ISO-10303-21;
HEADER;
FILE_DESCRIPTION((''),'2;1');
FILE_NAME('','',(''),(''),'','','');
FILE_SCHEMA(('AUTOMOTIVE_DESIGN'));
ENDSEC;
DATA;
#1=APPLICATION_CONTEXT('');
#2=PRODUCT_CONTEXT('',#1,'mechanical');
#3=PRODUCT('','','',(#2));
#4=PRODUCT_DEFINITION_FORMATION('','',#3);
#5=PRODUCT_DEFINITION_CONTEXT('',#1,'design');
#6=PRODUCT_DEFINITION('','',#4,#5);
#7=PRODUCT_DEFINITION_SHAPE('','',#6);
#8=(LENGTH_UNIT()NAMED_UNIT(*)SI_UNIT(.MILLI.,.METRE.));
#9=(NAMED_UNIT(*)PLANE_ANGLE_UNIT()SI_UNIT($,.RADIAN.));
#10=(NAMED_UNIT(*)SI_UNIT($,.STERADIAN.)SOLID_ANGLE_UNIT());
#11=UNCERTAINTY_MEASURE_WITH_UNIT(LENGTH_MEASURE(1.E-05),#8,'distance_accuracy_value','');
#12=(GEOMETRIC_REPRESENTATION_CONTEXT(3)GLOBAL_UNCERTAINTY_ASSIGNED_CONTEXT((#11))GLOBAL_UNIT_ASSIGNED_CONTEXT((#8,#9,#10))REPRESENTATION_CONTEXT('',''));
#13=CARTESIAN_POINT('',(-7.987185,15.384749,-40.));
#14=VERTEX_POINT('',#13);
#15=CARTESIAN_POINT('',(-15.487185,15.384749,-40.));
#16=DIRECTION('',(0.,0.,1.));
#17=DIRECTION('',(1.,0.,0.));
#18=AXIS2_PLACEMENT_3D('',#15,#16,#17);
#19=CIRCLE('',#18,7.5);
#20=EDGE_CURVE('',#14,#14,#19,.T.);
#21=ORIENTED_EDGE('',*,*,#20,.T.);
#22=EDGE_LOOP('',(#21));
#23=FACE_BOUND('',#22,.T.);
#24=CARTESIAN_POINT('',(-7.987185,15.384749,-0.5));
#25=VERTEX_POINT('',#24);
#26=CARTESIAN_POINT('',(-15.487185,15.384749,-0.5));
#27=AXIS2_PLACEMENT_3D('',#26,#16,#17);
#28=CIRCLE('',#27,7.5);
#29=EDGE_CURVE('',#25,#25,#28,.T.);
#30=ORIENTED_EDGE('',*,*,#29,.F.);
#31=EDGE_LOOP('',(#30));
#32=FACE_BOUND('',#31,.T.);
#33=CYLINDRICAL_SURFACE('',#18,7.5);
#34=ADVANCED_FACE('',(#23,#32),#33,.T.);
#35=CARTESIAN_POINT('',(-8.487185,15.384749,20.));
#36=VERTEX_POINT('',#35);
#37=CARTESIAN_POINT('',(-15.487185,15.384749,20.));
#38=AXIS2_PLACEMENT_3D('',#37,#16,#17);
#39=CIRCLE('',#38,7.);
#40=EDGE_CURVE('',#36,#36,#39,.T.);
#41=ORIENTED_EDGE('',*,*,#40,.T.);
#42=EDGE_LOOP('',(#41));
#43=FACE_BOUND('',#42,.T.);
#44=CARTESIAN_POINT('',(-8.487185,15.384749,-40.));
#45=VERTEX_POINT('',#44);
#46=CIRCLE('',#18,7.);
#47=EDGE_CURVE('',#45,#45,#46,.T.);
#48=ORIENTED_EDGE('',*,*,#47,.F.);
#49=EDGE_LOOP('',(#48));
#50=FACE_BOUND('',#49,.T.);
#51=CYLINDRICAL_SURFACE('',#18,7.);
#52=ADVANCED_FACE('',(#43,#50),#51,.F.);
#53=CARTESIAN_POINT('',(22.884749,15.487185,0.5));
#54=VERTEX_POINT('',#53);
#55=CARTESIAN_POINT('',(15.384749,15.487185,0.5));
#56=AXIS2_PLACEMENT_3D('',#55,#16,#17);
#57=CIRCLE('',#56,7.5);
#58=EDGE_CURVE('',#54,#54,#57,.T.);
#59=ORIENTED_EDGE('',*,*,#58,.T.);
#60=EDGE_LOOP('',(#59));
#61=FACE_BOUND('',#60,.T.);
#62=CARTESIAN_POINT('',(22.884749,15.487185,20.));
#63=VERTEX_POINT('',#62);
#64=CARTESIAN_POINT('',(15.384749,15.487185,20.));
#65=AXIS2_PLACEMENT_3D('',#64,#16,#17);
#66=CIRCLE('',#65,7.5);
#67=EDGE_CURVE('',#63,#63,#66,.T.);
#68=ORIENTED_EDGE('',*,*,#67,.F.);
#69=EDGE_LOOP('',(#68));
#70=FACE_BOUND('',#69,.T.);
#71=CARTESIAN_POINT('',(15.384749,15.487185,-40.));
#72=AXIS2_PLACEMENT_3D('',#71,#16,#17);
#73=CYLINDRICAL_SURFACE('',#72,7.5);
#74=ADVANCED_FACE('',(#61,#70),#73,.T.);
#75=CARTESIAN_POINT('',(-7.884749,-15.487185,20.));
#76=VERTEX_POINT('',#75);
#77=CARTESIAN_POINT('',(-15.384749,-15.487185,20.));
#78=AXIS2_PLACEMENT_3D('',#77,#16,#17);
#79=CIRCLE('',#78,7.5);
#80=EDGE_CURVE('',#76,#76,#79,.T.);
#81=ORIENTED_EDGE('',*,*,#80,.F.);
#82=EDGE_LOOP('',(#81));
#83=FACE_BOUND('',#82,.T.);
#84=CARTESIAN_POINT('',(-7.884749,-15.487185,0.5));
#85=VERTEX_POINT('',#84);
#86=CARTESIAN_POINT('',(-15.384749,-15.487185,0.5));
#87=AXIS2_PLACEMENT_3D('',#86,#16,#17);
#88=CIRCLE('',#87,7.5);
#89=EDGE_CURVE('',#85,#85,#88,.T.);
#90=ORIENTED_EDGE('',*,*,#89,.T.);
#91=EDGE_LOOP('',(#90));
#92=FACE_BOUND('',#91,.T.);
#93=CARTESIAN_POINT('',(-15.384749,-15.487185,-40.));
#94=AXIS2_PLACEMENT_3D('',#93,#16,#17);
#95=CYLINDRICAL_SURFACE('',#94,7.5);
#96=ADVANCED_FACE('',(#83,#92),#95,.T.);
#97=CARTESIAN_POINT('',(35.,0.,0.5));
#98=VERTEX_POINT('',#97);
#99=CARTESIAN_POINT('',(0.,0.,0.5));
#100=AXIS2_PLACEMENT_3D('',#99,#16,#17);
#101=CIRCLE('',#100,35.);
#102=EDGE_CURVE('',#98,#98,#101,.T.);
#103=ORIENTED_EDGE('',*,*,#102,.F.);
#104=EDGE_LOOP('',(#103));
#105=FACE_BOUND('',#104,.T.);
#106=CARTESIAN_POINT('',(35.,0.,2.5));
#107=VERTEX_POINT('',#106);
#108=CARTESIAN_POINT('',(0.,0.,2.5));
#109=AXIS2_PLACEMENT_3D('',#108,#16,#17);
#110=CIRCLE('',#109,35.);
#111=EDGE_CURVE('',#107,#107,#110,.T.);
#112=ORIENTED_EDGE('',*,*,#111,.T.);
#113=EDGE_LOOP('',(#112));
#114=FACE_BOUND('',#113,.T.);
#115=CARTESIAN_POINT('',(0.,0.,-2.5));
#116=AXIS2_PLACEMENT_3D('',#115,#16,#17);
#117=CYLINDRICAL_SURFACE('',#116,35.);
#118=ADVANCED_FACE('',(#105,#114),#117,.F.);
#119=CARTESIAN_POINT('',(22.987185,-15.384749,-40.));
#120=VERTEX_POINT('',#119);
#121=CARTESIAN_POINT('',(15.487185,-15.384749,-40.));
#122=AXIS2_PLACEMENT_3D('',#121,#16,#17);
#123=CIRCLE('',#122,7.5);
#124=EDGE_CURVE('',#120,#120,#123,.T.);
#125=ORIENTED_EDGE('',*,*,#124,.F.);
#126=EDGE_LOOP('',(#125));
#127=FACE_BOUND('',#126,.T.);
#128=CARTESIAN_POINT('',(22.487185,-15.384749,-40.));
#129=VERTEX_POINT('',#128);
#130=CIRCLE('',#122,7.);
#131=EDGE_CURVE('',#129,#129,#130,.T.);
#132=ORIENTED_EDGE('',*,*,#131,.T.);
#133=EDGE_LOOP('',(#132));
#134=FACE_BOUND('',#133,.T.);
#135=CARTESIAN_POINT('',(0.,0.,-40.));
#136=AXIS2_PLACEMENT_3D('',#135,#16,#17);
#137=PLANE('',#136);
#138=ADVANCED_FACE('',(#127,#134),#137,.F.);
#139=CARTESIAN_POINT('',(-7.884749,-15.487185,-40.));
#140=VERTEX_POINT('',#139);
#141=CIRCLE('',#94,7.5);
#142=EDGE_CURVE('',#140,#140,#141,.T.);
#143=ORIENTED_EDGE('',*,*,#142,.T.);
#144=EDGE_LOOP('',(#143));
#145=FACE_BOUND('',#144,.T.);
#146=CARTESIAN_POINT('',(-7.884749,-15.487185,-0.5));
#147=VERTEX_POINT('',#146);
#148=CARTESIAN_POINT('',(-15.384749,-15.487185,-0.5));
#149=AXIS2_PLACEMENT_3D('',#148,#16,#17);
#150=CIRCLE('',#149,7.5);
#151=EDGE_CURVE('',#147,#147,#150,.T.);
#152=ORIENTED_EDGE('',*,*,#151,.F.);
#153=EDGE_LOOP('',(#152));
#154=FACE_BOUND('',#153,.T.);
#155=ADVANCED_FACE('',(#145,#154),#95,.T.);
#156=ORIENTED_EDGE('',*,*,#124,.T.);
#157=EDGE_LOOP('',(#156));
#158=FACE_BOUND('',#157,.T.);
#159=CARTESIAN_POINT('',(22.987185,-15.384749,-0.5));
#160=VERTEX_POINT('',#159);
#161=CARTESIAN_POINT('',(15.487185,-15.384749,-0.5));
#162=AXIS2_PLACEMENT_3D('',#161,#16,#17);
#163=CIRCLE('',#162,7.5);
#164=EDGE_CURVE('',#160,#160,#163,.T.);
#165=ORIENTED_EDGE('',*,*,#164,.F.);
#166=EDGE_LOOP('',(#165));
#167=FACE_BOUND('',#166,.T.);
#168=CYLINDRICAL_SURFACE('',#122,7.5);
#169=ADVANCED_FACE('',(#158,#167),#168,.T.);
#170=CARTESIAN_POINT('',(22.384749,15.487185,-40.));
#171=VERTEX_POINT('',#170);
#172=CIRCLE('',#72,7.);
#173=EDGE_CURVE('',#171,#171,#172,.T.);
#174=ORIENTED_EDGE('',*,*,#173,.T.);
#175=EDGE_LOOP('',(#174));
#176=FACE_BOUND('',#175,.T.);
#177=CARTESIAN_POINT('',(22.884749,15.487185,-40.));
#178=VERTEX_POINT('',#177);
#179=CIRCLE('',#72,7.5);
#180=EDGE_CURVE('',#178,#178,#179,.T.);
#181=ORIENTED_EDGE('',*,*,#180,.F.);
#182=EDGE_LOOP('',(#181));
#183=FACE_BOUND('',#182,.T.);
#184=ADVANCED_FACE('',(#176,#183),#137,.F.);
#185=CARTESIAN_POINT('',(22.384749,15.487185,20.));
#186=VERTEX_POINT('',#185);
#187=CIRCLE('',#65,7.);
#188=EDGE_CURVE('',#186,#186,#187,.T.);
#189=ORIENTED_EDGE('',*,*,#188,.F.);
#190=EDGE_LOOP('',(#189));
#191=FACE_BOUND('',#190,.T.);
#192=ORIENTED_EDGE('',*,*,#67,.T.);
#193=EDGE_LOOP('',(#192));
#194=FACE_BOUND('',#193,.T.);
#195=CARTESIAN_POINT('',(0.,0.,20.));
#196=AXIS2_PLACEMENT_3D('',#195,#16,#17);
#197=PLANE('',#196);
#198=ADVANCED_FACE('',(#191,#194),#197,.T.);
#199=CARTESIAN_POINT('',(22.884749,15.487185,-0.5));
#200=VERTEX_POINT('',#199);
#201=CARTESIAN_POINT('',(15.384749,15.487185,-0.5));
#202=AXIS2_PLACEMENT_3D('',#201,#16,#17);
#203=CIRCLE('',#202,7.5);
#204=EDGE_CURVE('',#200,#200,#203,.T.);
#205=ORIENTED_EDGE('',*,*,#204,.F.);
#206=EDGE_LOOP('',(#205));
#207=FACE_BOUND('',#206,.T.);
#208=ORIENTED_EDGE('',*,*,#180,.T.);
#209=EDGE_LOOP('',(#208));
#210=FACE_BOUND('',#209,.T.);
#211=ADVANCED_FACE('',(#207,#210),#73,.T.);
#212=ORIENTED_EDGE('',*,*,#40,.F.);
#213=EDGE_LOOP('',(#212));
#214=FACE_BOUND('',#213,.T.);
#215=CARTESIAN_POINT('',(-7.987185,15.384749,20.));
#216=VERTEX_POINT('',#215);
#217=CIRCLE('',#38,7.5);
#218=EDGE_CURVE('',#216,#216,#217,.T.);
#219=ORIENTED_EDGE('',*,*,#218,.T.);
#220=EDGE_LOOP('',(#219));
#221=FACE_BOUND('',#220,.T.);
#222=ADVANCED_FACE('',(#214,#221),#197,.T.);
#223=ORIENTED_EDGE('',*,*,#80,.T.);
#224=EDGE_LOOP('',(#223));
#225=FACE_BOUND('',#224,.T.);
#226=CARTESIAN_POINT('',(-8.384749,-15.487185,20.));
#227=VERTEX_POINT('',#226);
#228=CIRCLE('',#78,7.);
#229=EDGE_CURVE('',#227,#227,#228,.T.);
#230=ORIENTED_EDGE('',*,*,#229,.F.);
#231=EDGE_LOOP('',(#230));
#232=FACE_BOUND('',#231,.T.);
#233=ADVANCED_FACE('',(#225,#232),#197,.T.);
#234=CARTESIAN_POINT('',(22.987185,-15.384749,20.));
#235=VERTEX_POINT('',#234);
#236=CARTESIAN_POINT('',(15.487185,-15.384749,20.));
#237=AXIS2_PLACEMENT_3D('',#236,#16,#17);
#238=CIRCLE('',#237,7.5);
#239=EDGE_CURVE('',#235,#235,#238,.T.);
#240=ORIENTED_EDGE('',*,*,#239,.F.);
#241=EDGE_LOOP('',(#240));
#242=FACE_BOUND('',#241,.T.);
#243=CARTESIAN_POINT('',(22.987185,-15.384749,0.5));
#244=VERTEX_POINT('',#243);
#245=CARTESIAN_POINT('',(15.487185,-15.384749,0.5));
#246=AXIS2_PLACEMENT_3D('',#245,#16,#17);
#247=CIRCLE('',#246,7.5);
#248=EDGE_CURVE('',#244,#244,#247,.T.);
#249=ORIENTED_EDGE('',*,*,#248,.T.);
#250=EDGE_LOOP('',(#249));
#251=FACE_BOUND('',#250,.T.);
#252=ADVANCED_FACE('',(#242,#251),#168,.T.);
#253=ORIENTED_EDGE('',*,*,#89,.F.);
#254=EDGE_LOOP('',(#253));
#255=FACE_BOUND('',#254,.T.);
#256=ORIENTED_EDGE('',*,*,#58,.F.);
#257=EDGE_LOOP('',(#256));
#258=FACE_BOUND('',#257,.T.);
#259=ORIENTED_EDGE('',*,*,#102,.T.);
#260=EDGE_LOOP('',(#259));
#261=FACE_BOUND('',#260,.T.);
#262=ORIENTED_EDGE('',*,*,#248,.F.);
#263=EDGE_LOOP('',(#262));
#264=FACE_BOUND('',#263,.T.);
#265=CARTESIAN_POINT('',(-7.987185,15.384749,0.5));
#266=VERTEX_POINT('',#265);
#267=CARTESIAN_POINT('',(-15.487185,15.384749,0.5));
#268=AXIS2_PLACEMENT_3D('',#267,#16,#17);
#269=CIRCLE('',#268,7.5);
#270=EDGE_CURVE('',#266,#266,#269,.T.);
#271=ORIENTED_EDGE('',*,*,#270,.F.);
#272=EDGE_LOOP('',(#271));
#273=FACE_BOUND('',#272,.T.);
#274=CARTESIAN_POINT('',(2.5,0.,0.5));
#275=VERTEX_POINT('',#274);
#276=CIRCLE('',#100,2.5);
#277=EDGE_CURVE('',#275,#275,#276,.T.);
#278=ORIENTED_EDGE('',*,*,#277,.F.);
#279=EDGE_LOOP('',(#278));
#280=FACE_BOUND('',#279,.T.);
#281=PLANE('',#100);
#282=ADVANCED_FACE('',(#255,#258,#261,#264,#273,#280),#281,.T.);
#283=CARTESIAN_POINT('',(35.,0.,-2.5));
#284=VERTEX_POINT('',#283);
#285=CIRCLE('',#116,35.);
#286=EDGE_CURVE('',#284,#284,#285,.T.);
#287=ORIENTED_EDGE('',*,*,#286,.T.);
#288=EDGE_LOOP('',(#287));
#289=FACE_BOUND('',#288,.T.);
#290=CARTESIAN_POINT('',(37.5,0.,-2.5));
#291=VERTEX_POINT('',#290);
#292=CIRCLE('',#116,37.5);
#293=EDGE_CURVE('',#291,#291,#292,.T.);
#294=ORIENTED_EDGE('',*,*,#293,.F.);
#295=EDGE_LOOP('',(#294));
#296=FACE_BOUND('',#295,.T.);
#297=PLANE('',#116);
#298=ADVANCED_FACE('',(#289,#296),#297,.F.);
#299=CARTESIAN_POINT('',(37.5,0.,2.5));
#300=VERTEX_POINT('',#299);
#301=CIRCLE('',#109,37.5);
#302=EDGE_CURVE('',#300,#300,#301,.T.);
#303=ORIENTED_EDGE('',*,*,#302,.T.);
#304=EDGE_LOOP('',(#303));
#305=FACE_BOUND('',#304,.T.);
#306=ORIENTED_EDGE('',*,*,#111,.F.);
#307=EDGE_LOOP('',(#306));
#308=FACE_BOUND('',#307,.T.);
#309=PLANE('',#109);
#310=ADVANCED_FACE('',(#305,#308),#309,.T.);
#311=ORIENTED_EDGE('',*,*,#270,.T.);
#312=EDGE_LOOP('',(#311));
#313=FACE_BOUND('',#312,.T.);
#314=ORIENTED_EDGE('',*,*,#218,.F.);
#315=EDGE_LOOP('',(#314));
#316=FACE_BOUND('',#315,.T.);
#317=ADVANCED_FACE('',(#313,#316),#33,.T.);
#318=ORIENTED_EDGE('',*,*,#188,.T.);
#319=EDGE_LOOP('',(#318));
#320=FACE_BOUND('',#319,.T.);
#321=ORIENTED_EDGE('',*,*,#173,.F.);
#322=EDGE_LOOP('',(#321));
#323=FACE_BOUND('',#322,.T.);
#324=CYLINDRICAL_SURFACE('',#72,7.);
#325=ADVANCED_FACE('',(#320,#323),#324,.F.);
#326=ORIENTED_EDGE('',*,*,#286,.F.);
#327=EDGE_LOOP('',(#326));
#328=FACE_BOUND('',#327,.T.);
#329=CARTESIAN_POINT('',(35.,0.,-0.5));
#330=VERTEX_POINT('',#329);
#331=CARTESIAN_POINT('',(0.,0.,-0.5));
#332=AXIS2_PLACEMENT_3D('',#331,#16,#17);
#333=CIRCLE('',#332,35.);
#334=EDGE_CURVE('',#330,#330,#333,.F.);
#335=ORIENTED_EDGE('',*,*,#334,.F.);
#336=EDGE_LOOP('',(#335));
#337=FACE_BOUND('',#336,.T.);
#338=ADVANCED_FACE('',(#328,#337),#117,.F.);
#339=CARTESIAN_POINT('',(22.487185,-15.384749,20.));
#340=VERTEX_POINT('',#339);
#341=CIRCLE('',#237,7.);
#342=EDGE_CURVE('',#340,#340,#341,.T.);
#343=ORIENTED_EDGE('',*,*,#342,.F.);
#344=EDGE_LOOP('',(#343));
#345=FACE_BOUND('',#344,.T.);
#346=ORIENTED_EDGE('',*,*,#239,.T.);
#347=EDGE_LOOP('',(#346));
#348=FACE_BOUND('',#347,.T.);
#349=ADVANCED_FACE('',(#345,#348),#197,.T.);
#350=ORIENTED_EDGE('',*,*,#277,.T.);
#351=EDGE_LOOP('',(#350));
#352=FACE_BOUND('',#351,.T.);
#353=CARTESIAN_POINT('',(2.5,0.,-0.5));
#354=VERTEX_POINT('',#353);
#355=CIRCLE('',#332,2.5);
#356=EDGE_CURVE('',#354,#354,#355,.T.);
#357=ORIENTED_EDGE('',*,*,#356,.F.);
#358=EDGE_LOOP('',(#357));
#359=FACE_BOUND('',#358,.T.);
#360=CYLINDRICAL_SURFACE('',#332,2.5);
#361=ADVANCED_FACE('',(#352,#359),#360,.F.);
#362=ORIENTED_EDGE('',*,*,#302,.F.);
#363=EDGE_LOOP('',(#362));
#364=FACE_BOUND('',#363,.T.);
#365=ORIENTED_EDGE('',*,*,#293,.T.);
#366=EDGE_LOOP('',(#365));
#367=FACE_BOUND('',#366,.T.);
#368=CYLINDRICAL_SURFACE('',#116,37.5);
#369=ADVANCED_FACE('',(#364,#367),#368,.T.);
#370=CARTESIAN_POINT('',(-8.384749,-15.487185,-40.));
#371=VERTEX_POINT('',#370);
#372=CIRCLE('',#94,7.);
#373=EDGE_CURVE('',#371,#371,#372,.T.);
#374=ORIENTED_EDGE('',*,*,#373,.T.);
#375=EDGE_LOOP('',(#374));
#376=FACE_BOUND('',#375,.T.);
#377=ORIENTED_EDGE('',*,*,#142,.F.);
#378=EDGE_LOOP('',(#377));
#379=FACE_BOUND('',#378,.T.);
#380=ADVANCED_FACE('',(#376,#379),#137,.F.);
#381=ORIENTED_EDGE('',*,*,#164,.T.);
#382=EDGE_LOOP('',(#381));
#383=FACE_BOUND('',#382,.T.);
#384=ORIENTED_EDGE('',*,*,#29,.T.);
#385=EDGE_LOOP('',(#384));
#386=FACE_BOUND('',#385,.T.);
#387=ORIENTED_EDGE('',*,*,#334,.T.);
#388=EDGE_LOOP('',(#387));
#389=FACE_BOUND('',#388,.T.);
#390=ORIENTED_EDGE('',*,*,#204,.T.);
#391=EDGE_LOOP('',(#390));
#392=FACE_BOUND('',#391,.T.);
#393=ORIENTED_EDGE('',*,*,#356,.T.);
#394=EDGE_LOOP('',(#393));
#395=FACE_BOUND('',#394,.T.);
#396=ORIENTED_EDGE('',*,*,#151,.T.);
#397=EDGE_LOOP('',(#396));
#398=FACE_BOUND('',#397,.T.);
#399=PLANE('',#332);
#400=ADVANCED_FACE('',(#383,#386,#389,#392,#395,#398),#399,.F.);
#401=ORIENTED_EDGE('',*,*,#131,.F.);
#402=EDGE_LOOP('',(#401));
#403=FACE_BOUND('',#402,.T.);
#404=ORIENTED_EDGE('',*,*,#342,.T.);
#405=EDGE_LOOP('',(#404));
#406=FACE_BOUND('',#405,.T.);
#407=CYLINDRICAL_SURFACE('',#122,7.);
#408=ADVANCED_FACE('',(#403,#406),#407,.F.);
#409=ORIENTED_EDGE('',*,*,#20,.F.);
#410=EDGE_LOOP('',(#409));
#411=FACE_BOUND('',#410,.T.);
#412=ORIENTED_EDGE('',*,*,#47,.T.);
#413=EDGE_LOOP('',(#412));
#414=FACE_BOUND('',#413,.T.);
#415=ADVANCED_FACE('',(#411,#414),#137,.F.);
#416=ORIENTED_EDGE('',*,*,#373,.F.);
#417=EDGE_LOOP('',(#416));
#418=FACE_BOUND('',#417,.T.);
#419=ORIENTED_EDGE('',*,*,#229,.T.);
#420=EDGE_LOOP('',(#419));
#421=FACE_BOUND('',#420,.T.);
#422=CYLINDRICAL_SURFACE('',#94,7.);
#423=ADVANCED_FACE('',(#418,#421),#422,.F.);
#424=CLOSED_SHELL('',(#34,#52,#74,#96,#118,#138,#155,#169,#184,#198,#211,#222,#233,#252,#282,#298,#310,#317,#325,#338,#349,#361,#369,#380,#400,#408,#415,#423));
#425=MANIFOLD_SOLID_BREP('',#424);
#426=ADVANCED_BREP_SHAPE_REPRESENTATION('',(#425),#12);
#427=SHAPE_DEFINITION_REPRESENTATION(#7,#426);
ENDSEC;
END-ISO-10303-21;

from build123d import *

# Parameters (mm, degrees)
BOSS_EXTRUDE1_DEPTH      = 2.5
BOSS_EXTRUDE1_DEPTH_BACK = 2.5
SKETCH1_R                = 37.5
SKETCH1_R_2              = 35
BOSS_EXTRUDE2_DEPTH      = 0.5
BOSS_EXTRUDE2_DEPTH_BACK = 0.5
SKETCH1_3_R              = 35
SKETCH1_3_R_2            = 7.5
SKETCH1_3_R_3            = 2.5
BOSS_EXTRUDE3_DEPTH      = 20
BOSS_EXTRUDE3_DEPTH_BACK = 40
SKETCH1_4_R              = 7.5
SKETCH1_4_R_2            = 7


with BuildPart() as part:
    # Sketch1 → Boss-Extrude1 (new, two sides: drawn at the far end of the back side and taken through both)
    with BuildSketch(Plane.XY.offset(-BOSS_EXTRUDE1_DEPTH_BACK)):
        Circle(SKETCH1_R)
        Circle(SKETCH1_R_2, mode=Mode.SUBTRACT)
    extrude(amount=BOSS_EXTRUDE1_DEPTH + BOSS_EXTRUDE1_DEPTH_BACK)

    # Sketch1<3> → Boss-Extrude2 (add, two sides: drawn at the far end of the back side and taken through both)
    with BuildSketch(Plane.XY.offset(-BOSS_EXTRUDE2_DEPTH_BACK)):
        Circle(SKETCH1_3_R)
        with Locations((-15.384748909, -15.487184505)):
            Circle(SKETCH1_3_R_2, mode=Mode.SUBTRACT)
        with Locations((15.487184505, -15.384748909)):
            Circle(SKETCH1_3_R_2, mode=Mode.SUBTRACT)
        with Locations((15.384748909, 15.487184505)):
            Circle(SKETCH1_3_R_2, mode=Mode.SUBTRACT)
        with Locations((-15.487184505, 15.384748909)):
            Circle(SKETCH1_3_R_2, mode=Mode.SUBTRACT)
        Circle(SKETCH1_3_R_3, mode=Mode.SUBTRACT)
    extrude(amount=BOSS_EXTRUDE2_DEPTH + BOSS_EXTRUDE2_DEPTH_BACK)

    # Sketch1<4> → Boss-Extrude3 (add, two sides: drawn at the far end of the back side and taken through both)
    # profile 1 of 4: a face of its own
    with BuildSketch(Plane.XY.offset(-BOSS_EXTRUDE3_DEPTH_BACK)):
        with Locations((-15.487184505, 15.384748909)):
            Circle(SKETCH1_4_R)
        with Locations((-15.487184505, 15.384748909)):
            Circle(SKETCH1_4_R_2, mode=Mode.SUBTRACT)
    # profile 2 of 4: a face of its own
    with BuildSketch(Plane.XY.offset(-BOSS_EXTRUDE3_DEPTH_BACK)):
        with Locations((15.384748909, 15.487184505)):
            Circle(SKETCH1_4_R)
        with Locations((15.384748909, 15.487184505)):
            Circle(SKETCH1_4_R_2, mode=Mode.SUBTRACT)
    # profile 3 of 4: a face of its own
    with BuildSketch(Plane.XY.offset(-BOSS_EXTRUDE3_DEPTH_BACK)):
        with Locations((15.487184505, -15.384748909)):
            Circle(SKETCH1_4_R)
        with Locations((15.487184505, -15.384748909)):
            Circle(SKETCH1_4_R_2, mode=Mode.SUBTRACT)
    # profile 4 of 4: a face of its own
    with BuildSketch(Plane.XY.offset(-BOSS_EXTRUDE3_DEPTH_BACK)):
        with Locations((-15.384748909, -15.487184505)):
            Circle(SKETCH1_4_R)
        with Locations((-15.384748909, -15.487184505)):
            Circle(SKETCH1_4_R_2, mode=Mode.SUBTRACT)
    extrude(amount=BOSS_EXTRUDE3_DEPTH + BOSS_EXTRUDE3_DEPTH_BACK)


solid = part.part
